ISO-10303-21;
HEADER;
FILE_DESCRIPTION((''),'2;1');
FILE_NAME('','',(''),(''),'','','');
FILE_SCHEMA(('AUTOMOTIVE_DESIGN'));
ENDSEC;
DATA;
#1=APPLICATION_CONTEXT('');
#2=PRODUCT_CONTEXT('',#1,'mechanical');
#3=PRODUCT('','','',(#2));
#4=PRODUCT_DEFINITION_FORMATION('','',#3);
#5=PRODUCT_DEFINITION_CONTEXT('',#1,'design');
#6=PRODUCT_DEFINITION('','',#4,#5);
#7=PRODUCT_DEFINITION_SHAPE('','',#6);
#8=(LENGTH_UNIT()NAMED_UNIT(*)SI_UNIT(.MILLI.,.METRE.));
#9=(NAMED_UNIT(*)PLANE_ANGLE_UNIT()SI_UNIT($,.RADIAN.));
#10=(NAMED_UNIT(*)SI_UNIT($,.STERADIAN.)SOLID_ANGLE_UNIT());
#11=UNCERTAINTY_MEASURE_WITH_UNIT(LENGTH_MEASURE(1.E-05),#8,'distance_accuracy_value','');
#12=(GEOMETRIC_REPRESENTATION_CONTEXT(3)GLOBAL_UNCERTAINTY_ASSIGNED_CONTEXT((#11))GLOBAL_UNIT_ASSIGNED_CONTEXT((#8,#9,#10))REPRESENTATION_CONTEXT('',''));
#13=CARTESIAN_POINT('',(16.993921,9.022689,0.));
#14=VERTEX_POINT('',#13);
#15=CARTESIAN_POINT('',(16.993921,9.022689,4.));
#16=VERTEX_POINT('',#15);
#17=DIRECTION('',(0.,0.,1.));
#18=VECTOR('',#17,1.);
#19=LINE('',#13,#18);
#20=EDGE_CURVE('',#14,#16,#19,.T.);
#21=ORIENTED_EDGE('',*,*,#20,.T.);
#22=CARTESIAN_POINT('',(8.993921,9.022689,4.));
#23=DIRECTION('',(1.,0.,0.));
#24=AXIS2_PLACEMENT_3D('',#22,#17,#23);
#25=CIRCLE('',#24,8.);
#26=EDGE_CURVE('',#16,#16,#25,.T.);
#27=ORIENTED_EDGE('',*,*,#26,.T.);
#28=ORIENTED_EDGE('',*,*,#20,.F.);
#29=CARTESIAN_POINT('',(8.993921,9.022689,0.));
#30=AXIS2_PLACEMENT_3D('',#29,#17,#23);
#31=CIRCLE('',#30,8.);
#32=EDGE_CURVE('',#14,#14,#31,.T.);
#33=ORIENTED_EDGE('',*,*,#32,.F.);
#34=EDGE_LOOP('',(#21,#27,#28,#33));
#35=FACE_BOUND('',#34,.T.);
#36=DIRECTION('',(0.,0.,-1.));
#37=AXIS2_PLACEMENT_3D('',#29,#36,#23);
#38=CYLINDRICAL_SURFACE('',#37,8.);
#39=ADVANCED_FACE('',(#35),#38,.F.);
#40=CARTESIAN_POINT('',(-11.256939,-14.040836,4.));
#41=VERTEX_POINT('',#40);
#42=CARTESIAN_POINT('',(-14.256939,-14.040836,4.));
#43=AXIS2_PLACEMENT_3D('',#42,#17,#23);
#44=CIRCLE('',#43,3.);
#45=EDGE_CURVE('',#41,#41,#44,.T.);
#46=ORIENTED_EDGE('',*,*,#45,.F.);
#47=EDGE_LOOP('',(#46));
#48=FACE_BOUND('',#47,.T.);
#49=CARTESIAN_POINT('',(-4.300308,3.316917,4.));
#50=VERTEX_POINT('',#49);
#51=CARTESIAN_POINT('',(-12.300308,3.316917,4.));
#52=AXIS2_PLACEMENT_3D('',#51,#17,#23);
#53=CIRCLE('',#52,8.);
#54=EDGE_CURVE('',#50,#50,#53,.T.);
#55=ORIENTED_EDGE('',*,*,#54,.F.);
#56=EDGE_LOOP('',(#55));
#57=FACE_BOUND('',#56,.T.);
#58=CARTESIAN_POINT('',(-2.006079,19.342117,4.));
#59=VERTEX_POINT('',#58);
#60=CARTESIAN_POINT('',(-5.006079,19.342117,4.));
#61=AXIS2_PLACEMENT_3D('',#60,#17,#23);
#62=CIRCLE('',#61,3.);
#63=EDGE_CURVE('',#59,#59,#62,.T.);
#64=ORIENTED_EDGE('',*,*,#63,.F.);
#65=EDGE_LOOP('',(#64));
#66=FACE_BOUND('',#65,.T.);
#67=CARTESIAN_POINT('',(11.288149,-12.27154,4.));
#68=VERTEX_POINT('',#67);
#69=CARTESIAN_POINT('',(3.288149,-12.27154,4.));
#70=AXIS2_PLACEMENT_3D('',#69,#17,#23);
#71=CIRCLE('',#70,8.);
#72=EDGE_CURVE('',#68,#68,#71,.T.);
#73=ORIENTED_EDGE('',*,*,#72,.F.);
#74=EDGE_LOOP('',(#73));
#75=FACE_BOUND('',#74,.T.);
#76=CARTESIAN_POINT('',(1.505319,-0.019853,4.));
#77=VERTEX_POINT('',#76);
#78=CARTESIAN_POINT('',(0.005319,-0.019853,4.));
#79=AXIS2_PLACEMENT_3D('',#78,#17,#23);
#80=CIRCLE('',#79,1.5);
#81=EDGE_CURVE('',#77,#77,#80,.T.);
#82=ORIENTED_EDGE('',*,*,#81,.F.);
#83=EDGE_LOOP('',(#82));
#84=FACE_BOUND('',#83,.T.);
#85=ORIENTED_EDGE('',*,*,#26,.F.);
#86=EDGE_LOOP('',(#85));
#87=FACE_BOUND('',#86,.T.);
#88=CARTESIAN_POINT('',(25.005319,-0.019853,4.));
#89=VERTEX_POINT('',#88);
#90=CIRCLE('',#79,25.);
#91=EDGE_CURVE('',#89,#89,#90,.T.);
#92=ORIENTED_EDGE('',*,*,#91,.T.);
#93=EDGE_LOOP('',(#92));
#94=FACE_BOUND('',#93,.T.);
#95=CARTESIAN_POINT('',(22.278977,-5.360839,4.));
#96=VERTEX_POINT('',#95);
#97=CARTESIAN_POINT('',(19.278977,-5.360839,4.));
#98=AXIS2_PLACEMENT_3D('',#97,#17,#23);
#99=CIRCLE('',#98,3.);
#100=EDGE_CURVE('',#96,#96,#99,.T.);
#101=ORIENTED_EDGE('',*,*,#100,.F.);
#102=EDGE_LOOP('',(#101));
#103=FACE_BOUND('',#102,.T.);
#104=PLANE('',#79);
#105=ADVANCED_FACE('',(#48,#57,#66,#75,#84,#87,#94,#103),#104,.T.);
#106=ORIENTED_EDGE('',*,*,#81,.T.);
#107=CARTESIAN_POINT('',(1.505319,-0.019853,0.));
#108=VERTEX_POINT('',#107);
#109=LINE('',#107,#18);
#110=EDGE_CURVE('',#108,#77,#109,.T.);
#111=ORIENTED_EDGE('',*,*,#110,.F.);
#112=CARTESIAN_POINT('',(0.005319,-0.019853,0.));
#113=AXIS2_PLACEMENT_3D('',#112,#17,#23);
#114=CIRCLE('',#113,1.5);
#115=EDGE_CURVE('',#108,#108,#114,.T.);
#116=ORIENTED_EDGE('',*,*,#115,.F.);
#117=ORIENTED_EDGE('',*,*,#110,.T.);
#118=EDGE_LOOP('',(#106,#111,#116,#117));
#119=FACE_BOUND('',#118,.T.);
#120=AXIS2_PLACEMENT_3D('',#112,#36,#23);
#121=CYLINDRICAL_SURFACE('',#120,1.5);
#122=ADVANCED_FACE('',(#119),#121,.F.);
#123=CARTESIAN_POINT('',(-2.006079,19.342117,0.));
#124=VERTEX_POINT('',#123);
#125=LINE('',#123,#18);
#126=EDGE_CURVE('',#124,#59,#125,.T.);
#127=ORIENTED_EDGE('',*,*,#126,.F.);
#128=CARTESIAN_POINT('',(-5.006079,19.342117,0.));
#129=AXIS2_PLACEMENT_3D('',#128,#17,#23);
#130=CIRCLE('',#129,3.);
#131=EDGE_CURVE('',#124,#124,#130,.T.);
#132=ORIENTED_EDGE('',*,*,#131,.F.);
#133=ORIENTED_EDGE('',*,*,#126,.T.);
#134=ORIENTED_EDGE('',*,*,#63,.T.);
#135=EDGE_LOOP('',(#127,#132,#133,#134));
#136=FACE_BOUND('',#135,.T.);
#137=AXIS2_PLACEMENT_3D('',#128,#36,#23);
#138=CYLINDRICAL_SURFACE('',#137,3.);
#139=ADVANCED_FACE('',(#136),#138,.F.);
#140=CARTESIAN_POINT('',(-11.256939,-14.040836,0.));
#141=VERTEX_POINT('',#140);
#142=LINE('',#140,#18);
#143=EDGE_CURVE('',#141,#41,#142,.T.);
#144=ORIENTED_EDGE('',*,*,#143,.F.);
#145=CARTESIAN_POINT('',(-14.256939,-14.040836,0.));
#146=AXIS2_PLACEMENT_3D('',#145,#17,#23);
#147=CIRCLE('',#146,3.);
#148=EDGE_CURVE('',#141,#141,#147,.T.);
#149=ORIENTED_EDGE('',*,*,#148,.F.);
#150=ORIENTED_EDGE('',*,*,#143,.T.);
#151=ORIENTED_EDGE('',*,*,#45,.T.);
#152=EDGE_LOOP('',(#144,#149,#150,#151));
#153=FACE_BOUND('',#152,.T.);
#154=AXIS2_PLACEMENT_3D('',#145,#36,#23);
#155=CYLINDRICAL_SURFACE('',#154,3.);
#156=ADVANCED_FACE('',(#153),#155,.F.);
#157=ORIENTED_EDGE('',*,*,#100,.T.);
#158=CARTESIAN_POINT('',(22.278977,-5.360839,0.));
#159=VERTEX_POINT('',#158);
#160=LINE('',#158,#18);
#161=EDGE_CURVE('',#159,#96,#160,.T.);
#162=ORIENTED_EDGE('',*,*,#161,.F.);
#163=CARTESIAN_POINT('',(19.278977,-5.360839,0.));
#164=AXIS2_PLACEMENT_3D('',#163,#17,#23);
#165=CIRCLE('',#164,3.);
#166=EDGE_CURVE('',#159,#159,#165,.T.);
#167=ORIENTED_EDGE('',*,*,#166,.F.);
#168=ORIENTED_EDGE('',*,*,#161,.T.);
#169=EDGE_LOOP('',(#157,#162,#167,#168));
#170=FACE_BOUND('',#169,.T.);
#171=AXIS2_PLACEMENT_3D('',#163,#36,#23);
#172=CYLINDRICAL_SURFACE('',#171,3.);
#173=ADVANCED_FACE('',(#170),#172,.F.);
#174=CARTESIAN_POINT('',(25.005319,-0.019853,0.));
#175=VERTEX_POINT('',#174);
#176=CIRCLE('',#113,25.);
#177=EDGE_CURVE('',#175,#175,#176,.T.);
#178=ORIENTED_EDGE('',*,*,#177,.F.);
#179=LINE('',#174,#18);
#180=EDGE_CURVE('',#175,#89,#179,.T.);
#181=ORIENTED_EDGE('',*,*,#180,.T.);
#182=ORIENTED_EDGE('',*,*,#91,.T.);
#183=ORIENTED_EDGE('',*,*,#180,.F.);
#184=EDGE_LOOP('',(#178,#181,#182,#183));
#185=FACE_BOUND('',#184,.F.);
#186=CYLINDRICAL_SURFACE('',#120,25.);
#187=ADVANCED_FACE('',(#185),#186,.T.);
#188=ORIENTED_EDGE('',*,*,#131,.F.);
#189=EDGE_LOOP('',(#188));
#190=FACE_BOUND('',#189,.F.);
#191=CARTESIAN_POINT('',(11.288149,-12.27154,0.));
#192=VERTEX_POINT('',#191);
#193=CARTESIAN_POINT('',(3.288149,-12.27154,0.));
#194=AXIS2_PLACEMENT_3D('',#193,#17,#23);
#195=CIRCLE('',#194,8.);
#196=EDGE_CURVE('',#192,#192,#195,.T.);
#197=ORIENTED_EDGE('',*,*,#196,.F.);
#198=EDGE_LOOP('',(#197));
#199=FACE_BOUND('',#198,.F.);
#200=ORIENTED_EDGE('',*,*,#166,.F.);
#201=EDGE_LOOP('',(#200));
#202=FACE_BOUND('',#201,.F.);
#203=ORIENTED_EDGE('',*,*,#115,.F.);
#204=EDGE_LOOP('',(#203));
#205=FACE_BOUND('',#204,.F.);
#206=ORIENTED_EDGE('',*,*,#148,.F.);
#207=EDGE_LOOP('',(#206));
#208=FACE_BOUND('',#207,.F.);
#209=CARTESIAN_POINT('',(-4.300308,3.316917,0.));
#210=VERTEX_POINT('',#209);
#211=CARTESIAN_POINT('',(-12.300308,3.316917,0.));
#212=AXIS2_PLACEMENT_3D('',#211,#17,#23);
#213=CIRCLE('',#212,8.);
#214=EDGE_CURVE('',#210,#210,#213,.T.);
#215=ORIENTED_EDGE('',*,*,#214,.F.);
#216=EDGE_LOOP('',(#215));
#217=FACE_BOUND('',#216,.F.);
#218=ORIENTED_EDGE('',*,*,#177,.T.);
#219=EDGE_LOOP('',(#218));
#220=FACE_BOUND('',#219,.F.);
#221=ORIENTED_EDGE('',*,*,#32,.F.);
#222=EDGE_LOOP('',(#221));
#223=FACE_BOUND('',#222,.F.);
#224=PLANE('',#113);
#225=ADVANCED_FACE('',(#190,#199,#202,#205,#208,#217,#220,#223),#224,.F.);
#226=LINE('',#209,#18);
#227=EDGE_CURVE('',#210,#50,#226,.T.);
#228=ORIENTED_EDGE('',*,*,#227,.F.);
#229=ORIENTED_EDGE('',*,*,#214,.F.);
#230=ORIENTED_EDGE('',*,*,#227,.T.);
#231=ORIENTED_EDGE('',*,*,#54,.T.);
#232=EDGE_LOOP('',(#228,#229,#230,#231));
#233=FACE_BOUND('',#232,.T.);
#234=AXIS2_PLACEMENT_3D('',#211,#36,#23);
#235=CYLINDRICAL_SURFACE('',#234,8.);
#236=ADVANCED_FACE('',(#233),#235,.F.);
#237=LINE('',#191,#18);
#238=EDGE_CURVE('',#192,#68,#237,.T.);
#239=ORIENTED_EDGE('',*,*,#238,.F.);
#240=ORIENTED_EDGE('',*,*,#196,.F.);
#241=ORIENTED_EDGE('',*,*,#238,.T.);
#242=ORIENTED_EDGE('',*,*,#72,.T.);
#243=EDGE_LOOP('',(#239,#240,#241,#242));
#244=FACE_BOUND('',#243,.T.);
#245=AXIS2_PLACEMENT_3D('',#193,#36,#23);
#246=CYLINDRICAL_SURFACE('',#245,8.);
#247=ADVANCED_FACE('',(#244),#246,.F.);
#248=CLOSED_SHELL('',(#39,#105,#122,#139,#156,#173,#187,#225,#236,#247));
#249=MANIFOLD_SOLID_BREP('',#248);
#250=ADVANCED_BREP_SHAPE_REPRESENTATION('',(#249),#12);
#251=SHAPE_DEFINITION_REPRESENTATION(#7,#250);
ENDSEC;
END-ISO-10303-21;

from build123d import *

# Parameters (mm, degrees)
F0_R     = 25
F0_R_2   = 3
F0_R_3   = 8
F0_R_4   = 1.5
F1_DEPTH = 4


with BuildPart() as f1:
    # F0 (on Top) → F1 (new body)
    with BuildSketch(Plane.XY):
        with Locations((0.005319, -0.019853)):
            Circle(F0_R)
        with Locations((-14.256939, -14.040836)):
            Circle(F0_R_2, mode=Mode.SUBTRACT)
        with Locations((3.288149, -12.27154)):
            Circle(F0_R_3, mode=Mode.SUBTRACT)
        with Locations((19.278977, -5.360839)):
            Circle(F0_R_2, mode=Mode.SUBTRACT)
        with Locations((-12.300308, 3.316917)):
            Circle(F0_R_3, mode=Mode.SUBTRACT)
        with Locations((-5.006079, 19.342117)):
            Circle(F0_R_2, mode=Mode.SUBTRACT)
        with Locations((0.005319, -0.019853)):
            Circle(F0_R_4, mode=Mode.SUBTRACT)
        with Locations((8.993921, 9.022689)):
            Circle(F0_R_3, mode=Mode.SUBTRACT)
    extrude(amount=F1_DEPTH)


solid = f1.part
